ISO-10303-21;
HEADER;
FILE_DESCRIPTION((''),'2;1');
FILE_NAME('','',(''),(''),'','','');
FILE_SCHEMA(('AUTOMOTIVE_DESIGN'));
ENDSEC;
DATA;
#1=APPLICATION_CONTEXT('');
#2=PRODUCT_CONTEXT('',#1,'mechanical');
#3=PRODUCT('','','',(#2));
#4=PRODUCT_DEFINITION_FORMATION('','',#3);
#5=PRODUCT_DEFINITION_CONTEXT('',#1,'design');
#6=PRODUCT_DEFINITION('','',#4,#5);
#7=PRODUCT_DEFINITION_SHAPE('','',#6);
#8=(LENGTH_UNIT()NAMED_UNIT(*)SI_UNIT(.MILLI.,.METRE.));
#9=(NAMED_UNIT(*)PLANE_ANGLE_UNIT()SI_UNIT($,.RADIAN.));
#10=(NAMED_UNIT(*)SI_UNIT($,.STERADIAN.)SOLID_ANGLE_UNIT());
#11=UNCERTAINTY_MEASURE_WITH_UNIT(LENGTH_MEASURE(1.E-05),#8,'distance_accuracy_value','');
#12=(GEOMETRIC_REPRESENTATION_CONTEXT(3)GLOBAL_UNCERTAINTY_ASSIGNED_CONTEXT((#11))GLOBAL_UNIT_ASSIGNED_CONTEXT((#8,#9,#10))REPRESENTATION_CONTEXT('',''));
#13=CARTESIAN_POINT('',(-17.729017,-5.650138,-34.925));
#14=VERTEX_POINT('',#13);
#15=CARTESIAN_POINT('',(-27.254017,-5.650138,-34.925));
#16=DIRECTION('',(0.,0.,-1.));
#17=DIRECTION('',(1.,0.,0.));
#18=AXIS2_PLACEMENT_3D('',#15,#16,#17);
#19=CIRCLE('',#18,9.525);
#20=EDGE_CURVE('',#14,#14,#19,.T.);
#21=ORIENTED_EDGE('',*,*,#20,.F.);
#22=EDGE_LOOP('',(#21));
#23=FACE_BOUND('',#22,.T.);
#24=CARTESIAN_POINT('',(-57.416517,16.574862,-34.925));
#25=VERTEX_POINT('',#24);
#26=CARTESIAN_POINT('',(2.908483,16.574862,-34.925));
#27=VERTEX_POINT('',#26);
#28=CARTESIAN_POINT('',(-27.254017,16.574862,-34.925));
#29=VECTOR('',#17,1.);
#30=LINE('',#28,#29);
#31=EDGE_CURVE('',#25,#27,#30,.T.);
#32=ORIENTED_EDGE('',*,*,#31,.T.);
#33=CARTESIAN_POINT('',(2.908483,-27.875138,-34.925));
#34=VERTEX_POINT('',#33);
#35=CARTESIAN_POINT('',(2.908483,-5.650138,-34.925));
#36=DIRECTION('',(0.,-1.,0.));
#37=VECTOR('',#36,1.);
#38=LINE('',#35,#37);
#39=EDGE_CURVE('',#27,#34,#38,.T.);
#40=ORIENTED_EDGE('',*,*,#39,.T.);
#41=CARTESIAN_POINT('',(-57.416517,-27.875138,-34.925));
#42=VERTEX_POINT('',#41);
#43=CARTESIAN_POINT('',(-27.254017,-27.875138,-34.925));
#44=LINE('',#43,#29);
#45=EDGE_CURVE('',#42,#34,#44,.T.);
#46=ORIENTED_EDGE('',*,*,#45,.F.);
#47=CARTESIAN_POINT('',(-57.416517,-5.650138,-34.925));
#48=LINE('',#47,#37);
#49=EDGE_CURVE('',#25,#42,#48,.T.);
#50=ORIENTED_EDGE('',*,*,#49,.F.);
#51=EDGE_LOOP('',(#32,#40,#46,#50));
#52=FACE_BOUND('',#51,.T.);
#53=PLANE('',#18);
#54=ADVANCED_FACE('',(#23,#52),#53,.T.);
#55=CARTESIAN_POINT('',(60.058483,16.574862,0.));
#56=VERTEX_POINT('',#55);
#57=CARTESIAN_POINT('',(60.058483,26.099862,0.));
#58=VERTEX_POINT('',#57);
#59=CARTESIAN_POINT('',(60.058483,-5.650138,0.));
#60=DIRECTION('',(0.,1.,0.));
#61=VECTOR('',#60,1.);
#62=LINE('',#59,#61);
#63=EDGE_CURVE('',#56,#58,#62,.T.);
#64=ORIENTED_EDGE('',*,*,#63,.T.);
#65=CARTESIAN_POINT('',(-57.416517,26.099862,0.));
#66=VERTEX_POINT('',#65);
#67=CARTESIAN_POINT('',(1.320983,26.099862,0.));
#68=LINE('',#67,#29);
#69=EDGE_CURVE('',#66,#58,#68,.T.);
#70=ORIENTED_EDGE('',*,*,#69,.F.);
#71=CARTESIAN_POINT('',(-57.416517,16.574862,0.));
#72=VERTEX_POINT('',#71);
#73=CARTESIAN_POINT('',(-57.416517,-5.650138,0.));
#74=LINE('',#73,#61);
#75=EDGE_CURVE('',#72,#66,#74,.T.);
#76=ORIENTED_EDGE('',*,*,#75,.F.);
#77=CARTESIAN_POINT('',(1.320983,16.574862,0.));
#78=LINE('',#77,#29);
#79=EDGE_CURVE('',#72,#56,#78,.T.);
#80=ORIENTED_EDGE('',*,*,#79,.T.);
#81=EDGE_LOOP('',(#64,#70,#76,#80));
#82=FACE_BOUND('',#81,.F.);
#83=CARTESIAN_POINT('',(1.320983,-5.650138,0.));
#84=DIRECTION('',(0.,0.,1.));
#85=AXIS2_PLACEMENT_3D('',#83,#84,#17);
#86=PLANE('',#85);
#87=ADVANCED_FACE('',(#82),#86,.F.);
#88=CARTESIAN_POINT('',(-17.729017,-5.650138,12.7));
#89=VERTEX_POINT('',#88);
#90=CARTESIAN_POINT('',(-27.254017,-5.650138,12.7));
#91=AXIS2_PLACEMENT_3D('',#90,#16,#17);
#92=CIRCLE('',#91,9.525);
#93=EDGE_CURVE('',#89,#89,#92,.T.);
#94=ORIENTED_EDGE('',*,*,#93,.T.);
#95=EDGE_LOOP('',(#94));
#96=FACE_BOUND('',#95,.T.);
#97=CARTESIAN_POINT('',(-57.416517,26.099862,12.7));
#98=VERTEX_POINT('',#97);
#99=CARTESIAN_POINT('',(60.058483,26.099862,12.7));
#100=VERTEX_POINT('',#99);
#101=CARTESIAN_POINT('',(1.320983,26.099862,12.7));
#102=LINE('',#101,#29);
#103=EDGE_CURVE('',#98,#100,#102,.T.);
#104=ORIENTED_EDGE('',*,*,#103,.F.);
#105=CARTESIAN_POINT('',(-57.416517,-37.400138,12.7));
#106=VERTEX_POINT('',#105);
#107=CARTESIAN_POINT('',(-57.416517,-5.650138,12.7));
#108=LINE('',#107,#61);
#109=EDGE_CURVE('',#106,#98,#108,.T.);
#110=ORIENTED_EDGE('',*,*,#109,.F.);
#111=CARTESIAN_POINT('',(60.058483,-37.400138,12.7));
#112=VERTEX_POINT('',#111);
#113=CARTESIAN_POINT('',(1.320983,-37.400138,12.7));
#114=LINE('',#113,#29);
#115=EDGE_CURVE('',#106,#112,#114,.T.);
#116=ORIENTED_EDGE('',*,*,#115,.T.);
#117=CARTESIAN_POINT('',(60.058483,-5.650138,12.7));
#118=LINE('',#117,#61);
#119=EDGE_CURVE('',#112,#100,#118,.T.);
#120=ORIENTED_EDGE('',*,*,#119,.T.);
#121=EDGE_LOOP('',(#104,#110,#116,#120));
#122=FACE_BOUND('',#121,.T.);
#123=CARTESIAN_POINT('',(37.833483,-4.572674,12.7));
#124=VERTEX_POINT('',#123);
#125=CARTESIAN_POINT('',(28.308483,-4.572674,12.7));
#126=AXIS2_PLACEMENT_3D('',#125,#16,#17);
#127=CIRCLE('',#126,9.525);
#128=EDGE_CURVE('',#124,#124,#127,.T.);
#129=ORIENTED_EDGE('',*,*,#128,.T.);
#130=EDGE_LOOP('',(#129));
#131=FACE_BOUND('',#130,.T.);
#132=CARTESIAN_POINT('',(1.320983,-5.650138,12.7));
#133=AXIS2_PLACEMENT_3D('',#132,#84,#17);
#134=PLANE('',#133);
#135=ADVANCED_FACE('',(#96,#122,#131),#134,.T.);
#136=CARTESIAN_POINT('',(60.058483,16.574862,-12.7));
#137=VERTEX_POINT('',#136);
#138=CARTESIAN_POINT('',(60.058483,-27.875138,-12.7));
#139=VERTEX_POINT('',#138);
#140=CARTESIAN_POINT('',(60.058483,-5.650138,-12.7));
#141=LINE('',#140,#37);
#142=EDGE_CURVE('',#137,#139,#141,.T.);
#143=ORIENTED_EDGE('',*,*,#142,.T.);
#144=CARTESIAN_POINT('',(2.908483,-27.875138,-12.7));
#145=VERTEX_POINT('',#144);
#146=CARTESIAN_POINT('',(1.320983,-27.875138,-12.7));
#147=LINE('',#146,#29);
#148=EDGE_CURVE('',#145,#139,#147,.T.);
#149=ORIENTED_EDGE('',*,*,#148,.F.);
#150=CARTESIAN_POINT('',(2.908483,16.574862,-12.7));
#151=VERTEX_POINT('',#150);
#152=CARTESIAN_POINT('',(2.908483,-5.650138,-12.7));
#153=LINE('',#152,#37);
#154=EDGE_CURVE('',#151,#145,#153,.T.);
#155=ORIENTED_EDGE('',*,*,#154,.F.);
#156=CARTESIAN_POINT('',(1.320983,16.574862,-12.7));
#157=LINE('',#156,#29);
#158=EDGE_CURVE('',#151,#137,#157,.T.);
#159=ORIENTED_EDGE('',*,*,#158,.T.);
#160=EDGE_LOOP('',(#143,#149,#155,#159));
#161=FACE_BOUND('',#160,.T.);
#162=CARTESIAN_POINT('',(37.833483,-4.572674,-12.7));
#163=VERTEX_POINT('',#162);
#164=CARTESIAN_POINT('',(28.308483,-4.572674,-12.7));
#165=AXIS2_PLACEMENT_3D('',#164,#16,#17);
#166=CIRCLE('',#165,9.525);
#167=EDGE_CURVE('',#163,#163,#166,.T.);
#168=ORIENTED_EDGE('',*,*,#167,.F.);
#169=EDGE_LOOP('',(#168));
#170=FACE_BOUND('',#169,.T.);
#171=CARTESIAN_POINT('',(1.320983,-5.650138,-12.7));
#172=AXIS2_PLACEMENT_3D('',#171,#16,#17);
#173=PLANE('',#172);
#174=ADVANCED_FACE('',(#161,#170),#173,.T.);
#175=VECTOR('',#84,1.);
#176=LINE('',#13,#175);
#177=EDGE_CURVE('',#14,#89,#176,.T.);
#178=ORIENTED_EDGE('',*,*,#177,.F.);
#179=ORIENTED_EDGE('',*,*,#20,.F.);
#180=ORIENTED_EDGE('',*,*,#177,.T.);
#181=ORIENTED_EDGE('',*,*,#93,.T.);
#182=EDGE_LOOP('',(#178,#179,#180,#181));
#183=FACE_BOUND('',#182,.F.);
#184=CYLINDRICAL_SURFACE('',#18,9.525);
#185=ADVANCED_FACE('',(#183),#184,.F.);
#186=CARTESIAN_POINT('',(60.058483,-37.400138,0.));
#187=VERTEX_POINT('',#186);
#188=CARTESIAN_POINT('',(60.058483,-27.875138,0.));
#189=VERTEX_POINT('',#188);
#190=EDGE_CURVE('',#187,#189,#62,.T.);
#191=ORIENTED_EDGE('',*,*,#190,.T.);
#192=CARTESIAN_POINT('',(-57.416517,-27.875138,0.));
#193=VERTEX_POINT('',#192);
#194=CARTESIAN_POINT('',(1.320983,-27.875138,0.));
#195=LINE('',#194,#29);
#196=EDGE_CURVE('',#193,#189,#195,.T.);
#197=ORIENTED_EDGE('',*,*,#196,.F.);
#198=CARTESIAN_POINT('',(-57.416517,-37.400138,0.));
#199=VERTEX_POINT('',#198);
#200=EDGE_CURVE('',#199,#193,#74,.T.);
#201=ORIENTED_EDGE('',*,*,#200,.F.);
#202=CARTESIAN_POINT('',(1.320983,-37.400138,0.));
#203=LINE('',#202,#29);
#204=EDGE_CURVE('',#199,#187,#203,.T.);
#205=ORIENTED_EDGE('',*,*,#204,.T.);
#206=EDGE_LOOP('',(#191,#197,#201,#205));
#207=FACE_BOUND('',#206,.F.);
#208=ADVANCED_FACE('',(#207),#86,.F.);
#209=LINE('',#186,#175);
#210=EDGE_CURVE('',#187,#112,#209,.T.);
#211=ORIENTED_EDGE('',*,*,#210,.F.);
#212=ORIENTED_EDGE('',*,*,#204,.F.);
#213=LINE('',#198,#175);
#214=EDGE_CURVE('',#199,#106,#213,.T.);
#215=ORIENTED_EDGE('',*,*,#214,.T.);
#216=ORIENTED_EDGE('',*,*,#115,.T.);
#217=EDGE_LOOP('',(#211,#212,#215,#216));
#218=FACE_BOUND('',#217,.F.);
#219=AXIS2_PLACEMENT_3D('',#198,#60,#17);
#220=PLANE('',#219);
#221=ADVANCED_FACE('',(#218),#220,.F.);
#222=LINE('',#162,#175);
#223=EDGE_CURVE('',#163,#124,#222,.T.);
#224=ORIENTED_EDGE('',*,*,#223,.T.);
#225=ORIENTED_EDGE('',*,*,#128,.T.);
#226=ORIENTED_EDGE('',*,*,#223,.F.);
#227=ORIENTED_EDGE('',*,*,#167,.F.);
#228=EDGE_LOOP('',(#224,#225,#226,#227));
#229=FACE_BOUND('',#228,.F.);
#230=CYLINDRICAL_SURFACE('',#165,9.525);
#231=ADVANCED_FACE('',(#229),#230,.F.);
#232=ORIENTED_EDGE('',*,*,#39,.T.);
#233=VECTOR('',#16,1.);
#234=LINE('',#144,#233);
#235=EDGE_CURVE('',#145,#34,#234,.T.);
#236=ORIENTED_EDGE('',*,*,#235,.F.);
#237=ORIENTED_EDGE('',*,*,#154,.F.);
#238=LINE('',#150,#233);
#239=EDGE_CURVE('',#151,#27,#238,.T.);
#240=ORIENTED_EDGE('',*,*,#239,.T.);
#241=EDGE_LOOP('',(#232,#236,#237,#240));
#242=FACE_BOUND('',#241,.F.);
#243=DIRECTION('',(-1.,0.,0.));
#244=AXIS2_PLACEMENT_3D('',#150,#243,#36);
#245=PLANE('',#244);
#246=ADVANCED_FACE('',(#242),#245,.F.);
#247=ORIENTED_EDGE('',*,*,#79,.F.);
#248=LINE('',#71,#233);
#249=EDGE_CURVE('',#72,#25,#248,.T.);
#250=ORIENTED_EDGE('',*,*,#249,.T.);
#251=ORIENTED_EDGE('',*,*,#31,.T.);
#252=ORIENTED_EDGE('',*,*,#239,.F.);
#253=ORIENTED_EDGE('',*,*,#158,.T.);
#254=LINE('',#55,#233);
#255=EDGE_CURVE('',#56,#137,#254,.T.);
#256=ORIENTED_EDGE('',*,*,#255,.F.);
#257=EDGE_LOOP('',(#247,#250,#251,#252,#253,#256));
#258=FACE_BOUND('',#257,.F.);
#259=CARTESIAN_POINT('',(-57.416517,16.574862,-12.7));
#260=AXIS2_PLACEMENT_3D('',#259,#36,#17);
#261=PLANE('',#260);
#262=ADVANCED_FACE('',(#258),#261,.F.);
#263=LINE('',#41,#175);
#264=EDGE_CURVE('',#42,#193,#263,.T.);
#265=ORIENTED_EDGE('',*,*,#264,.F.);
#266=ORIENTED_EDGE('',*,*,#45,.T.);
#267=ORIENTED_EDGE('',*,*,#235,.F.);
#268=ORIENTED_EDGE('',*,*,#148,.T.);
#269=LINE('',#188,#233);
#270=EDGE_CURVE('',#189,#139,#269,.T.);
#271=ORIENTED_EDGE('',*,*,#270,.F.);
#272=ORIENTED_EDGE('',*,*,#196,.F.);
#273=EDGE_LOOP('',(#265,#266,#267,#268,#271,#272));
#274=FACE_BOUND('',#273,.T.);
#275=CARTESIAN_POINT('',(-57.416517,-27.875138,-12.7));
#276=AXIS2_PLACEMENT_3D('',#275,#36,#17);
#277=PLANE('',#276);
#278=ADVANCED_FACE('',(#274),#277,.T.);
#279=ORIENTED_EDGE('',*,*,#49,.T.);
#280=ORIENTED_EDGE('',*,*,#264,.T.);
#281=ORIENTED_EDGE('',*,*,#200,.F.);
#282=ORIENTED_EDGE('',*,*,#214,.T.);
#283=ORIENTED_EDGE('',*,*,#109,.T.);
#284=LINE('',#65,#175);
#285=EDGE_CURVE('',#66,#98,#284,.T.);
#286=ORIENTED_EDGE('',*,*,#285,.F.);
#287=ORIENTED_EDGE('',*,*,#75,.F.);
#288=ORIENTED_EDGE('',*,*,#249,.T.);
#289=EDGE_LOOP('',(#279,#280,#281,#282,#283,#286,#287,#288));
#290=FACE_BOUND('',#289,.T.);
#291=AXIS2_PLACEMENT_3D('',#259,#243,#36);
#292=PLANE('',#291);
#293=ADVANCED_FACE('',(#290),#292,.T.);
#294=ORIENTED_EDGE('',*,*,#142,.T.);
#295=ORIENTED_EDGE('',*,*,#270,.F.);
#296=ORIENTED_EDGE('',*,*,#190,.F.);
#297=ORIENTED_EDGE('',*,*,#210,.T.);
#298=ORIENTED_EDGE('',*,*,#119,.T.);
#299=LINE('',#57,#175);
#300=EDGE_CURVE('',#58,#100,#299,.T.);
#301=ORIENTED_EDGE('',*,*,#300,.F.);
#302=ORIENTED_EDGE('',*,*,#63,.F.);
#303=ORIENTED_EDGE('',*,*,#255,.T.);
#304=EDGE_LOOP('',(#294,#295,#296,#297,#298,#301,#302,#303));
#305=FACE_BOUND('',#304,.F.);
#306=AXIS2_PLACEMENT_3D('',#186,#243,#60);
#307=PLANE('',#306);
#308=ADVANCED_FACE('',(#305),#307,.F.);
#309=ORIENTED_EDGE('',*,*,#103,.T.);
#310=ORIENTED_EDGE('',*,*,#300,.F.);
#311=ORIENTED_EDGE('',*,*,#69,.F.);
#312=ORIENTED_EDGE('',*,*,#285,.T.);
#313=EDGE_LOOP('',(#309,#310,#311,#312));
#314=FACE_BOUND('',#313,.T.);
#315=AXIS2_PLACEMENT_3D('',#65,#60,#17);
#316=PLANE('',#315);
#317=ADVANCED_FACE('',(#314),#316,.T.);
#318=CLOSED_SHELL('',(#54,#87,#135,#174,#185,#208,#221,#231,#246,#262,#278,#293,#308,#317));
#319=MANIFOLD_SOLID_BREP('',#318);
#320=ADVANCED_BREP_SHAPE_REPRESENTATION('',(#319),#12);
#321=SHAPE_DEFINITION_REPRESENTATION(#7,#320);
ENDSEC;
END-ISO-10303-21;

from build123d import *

# Parameters (mm, degrees)
F0_W     = 117.475
F0_H     = 63.5
F1_DEPTH = 12.7
F2_W     = 117.475
F2_H     = 44.45
F3_DEPTH = 12.7
F4_W     = 60.325
F4_H     = 44.45
F5_DEPTH = 22.225
F4_R     = 9.525
F6_DEPTH = 25.401
F7_R     = 9.525
F8_DEPTH = 47.626


with BuildPart() as f1:
    # F0 (on Top) → F1 (new body)
    with BuildSketch(Plane.XY):
        with Locations((1.320983, -5.650138)):
            Rectangle(F0_W, F0_H)
    extrude(amount=F1_DEPTH)

    # F2 (on face) → F3 (join)
    with BuildSketch(Plane(origin=(0, 0, 0), x_dir=(1, 0, 0), z_dir=(0, 0, -1))):
        with Locations((1.320983, 5.650138)):
            Rectangle(F2_W, F2_H)
    extrude(amount=F3_DEPTH)

    # F4 (on face) → F5 (join)
    with BuildSketch(Plane(origin=(0, 0, -12.7), x_dir=(1, 0, 0), z_dir=(0, 0, -1))):
        with Locations((-27.254017, 5.650138)):
            Rectangle(F4_W, F4_H)
    extrude(amount=F5_DEPTH)

    # F4 (on face) → F6 (cut, through all)
    with BuildSketch(Plane(origin=(0, 0, -12.7), x_dir=(1, 0, 0), z_dir=(0, 0, -1))):
        with Locations((28.308483, 4.572674)):
            Circle(F4_R)
    extrude(amount=-F6_DEPTH, mode=Mode.SUBTRACT)

    # F7 (on face) → F8 (cut, through all)
    with BuildSketch(Plane(origin=(0, 0, -34.925), x_dir=(1, 0, 0), z_dir=(0, 0, -1))):
        with Locations((-27.254017, 5.650138)):
            Circle(F7_R)
    extrude(amount=-F8_DEPTH, mode=Mode.SUBTRACT)


solid = f1.part
